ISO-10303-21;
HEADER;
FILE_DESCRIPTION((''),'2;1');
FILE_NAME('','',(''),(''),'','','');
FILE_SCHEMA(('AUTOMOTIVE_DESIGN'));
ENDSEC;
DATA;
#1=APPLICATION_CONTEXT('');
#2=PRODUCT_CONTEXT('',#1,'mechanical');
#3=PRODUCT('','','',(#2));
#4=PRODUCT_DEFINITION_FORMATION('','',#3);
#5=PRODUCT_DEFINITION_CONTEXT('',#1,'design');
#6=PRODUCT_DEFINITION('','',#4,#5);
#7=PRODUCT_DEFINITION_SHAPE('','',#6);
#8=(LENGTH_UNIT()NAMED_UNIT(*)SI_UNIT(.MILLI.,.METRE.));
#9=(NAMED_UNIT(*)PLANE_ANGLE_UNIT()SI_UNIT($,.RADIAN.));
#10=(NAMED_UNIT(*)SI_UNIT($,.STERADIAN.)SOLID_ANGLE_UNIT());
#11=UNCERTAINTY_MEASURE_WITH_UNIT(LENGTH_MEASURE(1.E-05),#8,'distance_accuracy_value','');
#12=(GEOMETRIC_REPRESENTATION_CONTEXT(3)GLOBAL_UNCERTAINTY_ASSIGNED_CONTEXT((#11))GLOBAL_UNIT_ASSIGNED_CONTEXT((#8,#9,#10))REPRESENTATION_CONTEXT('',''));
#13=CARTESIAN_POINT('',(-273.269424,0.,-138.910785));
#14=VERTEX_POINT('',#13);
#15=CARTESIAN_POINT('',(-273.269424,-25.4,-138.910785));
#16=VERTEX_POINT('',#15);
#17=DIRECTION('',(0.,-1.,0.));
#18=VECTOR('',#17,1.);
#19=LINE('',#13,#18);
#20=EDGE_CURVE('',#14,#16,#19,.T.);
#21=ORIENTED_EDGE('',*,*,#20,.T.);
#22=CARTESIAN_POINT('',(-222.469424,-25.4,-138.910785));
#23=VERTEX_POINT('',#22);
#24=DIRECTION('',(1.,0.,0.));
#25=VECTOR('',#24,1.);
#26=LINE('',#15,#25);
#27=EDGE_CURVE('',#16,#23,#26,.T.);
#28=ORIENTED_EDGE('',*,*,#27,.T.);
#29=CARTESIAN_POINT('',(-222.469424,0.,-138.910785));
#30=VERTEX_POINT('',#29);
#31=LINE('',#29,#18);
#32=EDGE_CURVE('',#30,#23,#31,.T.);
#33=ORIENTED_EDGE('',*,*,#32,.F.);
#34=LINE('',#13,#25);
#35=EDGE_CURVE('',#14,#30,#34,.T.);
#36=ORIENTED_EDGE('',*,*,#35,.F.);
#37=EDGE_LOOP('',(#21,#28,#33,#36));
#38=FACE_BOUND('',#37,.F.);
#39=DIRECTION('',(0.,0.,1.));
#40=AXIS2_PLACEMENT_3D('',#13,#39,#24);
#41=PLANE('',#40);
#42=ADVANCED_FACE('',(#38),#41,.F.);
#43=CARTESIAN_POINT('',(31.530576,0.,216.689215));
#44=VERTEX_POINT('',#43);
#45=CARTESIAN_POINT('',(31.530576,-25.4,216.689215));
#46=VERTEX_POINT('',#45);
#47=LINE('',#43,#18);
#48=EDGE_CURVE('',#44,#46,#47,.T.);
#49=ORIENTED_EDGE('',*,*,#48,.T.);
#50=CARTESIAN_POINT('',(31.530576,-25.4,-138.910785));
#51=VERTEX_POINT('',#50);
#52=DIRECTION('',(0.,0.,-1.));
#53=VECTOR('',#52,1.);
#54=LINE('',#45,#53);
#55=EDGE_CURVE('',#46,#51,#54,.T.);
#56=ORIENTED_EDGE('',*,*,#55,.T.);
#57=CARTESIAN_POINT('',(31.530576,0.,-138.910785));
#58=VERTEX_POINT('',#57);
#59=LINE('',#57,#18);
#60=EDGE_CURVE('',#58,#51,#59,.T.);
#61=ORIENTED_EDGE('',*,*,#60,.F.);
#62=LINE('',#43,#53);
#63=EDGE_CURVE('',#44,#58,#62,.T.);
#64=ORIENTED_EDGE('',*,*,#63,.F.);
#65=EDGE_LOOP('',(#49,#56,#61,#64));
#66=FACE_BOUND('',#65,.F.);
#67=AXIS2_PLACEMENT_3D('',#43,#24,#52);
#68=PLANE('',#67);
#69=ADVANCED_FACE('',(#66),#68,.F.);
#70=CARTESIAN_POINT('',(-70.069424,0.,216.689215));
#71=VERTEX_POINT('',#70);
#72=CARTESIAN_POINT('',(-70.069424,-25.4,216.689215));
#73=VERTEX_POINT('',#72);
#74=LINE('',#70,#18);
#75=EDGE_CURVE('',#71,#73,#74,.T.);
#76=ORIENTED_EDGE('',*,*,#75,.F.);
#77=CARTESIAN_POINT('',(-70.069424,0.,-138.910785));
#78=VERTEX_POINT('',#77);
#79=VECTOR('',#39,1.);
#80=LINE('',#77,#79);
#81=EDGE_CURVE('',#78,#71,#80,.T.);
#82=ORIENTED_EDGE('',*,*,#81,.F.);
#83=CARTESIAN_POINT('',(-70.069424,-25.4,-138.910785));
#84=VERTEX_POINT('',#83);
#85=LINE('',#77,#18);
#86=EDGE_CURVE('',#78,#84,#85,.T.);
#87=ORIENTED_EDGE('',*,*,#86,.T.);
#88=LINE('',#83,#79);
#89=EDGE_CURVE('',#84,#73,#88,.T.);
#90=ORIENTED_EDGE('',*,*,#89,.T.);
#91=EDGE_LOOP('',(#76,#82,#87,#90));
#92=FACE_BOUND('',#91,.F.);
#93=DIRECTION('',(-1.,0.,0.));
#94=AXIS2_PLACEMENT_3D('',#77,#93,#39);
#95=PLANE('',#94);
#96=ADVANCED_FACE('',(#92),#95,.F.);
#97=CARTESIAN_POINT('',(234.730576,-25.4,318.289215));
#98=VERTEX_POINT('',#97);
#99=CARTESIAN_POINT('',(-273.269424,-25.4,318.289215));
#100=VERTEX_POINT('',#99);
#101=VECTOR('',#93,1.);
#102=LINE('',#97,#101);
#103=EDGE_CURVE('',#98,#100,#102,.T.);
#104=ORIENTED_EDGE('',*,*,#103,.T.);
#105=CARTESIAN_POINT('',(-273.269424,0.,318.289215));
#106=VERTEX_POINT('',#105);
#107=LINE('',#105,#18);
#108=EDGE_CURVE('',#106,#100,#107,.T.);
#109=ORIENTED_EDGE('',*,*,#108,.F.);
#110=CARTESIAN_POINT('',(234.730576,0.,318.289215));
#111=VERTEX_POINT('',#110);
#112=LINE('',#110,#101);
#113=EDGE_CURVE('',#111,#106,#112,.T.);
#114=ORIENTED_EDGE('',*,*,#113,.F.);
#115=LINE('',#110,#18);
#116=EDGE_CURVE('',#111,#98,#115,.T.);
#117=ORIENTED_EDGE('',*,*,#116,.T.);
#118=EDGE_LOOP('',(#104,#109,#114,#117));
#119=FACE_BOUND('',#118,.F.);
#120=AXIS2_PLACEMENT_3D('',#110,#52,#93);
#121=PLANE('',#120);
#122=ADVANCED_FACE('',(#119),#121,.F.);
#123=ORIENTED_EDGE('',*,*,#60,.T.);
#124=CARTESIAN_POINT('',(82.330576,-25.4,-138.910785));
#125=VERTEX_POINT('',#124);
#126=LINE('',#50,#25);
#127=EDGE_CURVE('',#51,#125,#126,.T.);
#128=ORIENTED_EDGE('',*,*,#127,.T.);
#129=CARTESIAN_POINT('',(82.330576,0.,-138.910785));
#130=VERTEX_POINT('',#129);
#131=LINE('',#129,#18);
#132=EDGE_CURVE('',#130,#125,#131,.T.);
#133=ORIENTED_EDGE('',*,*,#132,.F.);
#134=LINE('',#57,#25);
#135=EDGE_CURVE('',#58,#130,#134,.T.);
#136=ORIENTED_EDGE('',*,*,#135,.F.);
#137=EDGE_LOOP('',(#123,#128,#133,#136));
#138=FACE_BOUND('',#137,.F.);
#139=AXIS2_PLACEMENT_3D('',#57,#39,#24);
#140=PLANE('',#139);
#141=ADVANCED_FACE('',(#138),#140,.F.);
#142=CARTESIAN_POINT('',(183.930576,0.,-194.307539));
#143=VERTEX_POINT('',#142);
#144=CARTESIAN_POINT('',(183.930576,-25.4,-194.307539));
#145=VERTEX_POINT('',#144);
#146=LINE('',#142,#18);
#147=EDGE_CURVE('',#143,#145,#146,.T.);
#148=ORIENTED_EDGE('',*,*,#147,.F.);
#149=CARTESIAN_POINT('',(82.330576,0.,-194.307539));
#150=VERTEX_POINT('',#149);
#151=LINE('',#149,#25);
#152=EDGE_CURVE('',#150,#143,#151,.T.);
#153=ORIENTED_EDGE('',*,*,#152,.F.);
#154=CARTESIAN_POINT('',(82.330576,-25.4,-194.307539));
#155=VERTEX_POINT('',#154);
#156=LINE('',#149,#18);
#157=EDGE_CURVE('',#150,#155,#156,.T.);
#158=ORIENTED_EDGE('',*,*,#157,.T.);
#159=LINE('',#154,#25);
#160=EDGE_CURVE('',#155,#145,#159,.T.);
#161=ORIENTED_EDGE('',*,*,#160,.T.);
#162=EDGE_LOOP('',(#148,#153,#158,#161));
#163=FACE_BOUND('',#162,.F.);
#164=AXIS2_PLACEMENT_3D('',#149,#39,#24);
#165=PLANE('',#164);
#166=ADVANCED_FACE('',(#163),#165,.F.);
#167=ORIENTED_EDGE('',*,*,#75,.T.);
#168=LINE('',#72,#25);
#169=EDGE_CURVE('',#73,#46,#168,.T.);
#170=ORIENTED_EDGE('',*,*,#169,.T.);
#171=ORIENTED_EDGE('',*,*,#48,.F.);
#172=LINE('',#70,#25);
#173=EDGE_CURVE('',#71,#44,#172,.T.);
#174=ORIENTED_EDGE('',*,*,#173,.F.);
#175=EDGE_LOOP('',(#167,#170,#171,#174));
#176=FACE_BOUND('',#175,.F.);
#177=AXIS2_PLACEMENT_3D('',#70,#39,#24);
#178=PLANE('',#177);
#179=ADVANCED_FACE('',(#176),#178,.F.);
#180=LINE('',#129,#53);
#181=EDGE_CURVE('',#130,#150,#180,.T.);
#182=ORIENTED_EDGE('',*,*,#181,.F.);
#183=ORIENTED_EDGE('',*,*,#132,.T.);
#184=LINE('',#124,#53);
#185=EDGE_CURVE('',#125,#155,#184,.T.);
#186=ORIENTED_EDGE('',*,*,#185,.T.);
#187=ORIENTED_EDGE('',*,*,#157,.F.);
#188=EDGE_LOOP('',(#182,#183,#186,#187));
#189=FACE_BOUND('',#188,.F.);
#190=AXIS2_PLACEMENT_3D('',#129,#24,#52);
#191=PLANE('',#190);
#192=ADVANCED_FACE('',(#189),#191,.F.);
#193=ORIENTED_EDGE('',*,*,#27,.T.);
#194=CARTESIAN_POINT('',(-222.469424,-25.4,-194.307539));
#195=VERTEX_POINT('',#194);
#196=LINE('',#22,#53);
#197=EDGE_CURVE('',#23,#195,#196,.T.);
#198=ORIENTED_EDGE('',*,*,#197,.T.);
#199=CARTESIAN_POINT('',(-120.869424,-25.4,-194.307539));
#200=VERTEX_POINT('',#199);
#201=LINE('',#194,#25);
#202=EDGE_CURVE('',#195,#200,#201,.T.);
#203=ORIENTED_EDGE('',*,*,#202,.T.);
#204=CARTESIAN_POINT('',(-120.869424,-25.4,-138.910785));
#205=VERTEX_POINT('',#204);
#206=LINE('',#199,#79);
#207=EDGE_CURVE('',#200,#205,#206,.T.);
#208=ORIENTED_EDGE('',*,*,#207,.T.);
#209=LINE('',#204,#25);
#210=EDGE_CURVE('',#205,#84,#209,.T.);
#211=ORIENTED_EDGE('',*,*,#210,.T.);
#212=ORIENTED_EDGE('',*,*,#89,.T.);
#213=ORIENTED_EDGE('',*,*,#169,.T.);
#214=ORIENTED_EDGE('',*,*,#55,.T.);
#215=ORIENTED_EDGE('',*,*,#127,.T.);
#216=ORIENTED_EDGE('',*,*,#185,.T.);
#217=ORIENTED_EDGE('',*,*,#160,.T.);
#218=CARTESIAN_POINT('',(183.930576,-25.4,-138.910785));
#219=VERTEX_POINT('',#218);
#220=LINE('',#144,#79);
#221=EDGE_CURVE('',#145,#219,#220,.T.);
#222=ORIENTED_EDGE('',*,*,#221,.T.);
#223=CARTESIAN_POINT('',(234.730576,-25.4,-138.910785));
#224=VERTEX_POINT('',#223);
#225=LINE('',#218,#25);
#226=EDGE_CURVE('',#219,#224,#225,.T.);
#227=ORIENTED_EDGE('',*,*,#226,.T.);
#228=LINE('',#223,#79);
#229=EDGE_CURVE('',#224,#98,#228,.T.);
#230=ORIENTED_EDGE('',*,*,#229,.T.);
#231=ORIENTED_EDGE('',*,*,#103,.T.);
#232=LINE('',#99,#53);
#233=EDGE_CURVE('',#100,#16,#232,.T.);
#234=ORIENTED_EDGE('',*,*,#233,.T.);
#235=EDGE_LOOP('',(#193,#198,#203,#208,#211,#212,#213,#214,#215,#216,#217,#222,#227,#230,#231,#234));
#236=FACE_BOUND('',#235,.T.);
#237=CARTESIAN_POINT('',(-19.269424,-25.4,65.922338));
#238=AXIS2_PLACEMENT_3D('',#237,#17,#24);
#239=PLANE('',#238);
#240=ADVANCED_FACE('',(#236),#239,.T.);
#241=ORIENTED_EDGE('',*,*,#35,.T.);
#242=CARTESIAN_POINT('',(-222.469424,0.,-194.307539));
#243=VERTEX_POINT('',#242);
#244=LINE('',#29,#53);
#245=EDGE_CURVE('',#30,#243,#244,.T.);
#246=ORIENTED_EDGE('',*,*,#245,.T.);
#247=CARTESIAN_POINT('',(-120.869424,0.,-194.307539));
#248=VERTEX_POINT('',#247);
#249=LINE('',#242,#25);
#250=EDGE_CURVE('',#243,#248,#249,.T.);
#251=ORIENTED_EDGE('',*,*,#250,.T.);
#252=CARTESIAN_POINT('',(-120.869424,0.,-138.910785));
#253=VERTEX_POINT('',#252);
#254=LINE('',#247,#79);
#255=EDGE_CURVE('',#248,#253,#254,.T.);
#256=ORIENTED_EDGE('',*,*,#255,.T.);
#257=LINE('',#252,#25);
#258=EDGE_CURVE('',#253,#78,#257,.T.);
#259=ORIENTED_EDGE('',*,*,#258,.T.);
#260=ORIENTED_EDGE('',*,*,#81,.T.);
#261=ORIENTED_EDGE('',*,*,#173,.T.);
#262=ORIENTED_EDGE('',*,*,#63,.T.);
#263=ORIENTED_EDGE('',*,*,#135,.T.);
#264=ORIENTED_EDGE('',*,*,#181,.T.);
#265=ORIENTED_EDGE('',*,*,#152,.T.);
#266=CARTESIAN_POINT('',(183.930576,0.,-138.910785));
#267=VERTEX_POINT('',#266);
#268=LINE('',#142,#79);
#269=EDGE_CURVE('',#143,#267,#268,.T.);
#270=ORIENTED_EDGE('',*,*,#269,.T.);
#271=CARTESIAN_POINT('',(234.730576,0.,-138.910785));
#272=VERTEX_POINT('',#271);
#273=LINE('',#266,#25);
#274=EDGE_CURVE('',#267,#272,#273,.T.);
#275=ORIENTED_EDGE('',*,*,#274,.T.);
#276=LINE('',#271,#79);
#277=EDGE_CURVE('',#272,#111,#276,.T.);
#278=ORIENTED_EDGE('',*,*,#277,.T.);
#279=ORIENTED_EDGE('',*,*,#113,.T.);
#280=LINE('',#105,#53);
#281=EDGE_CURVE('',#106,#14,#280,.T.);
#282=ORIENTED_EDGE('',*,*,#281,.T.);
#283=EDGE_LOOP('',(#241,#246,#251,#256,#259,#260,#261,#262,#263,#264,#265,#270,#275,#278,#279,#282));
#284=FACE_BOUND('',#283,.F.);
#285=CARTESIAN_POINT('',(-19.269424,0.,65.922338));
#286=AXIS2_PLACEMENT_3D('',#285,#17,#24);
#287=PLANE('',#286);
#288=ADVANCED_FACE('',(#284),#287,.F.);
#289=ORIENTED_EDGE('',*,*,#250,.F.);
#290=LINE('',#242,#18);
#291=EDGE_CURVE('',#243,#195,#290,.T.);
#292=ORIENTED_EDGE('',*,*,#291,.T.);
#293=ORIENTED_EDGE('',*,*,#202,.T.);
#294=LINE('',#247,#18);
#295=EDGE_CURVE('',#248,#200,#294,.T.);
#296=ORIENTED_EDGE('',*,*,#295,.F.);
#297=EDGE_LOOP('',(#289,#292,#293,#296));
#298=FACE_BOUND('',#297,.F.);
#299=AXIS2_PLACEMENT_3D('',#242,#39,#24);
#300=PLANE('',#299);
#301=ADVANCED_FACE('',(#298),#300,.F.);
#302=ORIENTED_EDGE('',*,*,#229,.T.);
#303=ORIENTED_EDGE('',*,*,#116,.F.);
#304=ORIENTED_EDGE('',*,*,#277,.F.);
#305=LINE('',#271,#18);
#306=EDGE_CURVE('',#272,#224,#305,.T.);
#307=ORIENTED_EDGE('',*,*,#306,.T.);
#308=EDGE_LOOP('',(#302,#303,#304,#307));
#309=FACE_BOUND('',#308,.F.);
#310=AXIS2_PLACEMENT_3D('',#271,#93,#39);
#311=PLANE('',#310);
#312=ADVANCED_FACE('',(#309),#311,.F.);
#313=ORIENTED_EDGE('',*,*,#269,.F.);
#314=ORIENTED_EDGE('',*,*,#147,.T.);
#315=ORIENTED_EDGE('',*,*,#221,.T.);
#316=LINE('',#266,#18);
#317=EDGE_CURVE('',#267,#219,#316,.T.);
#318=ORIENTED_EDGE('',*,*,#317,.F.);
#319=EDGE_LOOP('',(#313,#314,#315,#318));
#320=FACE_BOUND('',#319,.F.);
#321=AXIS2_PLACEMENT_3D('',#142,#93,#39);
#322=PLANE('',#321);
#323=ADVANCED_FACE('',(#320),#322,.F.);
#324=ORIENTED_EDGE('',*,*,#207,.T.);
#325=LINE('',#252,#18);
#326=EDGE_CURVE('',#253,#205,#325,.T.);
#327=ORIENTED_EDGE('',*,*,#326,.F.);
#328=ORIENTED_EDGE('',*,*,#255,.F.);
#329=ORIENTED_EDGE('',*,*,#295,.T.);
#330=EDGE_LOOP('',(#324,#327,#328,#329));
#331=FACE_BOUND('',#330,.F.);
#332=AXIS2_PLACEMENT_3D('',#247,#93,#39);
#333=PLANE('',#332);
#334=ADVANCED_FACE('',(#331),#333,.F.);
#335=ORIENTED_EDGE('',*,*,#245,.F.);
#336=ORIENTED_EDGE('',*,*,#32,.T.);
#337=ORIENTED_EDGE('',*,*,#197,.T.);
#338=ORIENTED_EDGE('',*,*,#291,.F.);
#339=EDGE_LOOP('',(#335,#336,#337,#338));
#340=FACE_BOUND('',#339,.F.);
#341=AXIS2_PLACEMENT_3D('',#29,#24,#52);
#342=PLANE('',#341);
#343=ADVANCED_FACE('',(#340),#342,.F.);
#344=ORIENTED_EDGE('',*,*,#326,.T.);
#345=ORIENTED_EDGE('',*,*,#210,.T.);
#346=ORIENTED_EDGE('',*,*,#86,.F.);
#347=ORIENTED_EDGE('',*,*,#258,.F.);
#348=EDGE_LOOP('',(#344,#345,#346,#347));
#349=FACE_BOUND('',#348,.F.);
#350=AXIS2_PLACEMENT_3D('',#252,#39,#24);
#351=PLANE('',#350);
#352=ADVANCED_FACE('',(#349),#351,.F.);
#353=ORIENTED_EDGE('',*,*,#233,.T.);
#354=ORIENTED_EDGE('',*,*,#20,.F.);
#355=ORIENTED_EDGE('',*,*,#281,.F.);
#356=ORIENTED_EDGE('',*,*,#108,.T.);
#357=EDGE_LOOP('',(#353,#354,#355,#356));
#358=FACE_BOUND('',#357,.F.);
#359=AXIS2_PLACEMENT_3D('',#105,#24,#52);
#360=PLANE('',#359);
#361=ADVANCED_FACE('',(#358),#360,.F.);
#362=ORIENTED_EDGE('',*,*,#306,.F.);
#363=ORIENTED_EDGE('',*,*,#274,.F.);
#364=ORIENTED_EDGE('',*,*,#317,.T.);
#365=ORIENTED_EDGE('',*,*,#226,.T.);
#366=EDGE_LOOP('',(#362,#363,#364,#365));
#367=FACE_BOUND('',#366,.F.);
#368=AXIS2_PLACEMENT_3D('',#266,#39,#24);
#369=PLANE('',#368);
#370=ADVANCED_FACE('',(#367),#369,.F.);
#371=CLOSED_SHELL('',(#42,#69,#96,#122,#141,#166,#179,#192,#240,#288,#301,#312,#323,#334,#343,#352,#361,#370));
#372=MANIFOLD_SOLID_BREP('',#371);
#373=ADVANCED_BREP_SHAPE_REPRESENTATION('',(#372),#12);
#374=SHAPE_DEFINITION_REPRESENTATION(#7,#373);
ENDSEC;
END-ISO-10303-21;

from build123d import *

# Parameters (mm, degrees)
F1_DEPTH = 25.4


with BuildPart() as f1:
    # F0 (on Front) → F1 (new body)
    with BuildSketch(Plane.XZ):
        Polygon((234.730576, 318.289215), (-134.188228, 318.289215), (-273.269424, 318.289215), (-273.269424, -138.910785), (-222.469424, -138.910785), (-222.469424, -194.307539), (-120.869424, -194.307539), (-120.869424, -138.910785), (-70.069424, -138.910785), (-70.069424, 216.689215), (31.530576, 216.689215), (31.530576, -138.910785), (82.330576, -138.910785), (82.330576, -194.307539), (183.930576, -194.307539), (183.930576, -138.910785), (234.730576, -138.910785), align=None)
    extrude(amount=F1_DEPTH)


solid = f1.part
